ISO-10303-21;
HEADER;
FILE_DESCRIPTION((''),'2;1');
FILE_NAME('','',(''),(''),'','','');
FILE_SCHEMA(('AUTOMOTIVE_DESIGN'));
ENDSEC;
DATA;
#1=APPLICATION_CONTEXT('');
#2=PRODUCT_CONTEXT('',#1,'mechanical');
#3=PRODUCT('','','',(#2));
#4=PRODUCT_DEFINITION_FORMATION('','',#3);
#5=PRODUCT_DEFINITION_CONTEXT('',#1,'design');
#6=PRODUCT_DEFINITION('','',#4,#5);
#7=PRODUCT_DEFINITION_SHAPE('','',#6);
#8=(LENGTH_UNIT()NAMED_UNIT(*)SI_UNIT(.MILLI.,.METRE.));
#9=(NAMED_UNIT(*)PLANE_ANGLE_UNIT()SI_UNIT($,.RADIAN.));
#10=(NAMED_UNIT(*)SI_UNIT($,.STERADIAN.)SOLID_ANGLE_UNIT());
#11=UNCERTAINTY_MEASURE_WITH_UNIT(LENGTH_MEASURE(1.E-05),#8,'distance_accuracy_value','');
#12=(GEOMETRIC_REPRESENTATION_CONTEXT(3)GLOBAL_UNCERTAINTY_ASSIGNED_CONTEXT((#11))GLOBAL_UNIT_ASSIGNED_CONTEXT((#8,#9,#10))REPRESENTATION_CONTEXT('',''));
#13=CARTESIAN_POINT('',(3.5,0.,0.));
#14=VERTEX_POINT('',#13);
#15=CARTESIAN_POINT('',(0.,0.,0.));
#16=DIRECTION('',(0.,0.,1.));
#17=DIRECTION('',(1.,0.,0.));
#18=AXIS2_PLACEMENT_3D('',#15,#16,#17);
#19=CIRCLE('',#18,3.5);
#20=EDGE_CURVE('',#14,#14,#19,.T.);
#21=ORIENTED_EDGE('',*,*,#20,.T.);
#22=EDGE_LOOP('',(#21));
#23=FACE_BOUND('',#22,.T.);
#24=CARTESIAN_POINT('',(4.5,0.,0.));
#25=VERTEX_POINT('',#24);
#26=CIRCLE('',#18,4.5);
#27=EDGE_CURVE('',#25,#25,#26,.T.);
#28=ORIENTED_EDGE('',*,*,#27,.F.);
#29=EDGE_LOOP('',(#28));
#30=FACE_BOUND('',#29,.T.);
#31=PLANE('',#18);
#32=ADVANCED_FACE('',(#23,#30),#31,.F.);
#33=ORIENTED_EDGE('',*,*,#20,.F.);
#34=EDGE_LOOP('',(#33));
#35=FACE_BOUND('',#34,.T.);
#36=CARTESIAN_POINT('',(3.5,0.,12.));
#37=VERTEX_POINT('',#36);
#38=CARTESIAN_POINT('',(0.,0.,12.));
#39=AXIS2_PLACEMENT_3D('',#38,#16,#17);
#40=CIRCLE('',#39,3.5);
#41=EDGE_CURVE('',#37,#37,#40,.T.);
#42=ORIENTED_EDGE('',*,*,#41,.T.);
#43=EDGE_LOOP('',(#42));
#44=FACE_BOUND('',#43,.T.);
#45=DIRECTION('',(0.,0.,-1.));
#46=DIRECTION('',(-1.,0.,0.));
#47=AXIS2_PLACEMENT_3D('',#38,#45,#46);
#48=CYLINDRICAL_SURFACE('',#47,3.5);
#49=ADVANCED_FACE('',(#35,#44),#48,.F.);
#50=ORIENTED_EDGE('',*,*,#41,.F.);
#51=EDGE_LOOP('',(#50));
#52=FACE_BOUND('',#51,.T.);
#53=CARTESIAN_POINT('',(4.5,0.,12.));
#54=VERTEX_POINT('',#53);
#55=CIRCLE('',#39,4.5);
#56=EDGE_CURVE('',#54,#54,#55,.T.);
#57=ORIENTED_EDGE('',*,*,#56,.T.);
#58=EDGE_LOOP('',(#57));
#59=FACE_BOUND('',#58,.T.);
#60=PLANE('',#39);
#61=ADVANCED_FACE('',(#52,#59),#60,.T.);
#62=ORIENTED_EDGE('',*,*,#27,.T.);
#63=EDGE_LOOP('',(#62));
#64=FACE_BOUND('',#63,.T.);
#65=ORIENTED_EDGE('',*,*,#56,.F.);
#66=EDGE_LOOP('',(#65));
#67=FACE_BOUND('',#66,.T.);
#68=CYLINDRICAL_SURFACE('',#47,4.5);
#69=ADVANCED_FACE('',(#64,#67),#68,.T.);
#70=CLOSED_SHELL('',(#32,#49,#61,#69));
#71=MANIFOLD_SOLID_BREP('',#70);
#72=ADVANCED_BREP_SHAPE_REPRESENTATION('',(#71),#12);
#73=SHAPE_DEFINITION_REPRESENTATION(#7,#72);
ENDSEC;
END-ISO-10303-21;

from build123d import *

# Parameters (mm, degrees)
SKETCH1_R      = 3.5
EXTRUDE1_DEPTH = 12
SHELL1_T       = 1


with BuildPart() as part:
    # Sketch1 → Extrude1 (new body)
    with BuildSketch(Plane.XY):
        Circle(SKETCH1_R)
    extrude(amount=EXTRUDE1_DEPTH)

    # Shell1
    shell1_openings = [part.faces().sort_by_distance(p)[0] for p in [
        (0, 0, 0),
        (0, 0, 12),
    ]]
    offset(amount=SHELL1_T, openings=shell1_openings, kind=Kind.INTERSECTION)


solid = part.part
